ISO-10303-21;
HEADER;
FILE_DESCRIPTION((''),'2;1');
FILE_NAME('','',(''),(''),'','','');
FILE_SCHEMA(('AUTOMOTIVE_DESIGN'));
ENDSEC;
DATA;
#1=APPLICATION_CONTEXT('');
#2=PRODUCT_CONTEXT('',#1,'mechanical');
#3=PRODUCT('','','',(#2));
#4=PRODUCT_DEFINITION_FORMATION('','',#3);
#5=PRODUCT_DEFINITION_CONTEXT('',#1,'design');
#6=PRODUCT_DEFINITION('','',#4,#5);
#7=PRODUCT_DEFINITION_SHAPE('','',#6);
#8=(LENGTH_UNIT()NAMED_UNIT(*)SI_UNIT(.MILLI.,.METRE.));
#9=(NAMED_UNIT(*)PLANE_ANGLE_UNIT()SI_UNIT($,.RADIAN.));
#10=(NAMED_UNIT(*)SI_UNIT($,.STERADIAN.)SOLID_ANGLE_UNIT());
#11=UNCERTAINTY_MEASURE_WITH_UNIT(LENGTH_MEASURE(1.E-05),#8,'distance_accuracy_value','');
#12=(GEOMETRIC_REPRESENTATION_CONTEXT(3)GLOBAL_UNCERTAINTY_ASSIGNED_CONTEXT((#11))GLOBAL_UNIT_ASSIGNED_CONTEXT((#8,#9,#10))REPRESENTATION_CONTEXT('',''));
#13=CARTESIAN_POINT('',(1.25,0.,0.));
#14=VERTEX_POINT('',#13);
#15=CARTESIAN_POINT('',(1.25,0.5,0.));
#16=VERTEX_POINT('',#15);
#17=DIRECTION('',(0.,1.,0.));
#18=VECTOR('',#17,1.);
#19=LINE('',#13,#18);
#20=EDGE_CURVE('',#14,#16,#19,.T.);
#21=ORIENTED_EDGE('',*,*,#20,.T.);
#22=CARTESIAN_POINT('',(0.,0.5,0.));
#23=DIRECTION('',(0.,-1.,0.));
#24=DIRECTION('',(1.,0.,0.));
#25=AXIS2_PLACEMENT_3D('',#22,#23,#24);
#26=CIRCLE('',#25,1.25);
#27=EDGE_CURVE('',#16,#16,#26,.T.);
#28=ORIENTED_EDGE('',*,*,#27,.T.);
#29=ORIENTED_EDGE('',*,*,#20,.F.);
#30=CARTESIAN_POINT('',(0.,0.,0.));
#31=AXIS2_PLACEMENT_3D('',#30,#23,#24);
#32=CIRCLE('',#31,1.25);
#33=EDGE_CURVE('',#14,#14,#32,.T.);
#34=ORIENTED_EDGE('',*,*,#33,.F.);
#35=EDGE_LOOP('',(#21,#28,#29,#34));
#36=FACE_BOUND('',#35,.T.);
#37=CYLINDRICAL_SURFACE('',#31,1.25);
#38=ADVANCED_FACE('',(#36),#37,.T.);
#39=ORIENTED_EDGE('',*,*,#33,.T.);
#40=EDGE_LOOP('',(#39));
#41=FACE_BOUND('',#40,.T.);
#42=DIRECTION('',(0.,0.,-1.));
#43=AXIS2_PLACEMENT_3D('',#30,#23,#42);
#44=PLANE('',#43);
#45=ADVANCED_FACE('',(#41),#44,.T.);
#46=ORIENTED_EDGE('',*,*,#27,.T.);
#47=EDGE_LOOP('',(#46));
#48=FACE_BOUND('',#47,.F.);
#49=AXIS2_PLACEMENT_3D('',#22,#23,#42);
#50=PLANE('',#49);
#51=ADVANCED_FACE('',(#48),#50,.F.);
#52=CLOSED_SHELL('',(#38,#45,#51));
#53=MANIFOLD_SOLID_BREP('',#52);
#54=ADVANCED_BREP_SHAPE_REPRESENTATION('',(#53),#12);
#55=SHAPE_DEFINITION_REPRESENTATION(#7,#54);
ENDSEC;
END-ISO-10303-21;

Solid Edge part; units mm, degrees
sketch "Sketch1" plane through (0, 0, 0) normal (0, -1, 0) x (1, 0, 0)
  circle A0 centre (0, 0) radius 1.25
extrude "Protrusion1" add sketch "Sketch1" against normal blind 0.5
properties material "Stainless Steel, 420"
